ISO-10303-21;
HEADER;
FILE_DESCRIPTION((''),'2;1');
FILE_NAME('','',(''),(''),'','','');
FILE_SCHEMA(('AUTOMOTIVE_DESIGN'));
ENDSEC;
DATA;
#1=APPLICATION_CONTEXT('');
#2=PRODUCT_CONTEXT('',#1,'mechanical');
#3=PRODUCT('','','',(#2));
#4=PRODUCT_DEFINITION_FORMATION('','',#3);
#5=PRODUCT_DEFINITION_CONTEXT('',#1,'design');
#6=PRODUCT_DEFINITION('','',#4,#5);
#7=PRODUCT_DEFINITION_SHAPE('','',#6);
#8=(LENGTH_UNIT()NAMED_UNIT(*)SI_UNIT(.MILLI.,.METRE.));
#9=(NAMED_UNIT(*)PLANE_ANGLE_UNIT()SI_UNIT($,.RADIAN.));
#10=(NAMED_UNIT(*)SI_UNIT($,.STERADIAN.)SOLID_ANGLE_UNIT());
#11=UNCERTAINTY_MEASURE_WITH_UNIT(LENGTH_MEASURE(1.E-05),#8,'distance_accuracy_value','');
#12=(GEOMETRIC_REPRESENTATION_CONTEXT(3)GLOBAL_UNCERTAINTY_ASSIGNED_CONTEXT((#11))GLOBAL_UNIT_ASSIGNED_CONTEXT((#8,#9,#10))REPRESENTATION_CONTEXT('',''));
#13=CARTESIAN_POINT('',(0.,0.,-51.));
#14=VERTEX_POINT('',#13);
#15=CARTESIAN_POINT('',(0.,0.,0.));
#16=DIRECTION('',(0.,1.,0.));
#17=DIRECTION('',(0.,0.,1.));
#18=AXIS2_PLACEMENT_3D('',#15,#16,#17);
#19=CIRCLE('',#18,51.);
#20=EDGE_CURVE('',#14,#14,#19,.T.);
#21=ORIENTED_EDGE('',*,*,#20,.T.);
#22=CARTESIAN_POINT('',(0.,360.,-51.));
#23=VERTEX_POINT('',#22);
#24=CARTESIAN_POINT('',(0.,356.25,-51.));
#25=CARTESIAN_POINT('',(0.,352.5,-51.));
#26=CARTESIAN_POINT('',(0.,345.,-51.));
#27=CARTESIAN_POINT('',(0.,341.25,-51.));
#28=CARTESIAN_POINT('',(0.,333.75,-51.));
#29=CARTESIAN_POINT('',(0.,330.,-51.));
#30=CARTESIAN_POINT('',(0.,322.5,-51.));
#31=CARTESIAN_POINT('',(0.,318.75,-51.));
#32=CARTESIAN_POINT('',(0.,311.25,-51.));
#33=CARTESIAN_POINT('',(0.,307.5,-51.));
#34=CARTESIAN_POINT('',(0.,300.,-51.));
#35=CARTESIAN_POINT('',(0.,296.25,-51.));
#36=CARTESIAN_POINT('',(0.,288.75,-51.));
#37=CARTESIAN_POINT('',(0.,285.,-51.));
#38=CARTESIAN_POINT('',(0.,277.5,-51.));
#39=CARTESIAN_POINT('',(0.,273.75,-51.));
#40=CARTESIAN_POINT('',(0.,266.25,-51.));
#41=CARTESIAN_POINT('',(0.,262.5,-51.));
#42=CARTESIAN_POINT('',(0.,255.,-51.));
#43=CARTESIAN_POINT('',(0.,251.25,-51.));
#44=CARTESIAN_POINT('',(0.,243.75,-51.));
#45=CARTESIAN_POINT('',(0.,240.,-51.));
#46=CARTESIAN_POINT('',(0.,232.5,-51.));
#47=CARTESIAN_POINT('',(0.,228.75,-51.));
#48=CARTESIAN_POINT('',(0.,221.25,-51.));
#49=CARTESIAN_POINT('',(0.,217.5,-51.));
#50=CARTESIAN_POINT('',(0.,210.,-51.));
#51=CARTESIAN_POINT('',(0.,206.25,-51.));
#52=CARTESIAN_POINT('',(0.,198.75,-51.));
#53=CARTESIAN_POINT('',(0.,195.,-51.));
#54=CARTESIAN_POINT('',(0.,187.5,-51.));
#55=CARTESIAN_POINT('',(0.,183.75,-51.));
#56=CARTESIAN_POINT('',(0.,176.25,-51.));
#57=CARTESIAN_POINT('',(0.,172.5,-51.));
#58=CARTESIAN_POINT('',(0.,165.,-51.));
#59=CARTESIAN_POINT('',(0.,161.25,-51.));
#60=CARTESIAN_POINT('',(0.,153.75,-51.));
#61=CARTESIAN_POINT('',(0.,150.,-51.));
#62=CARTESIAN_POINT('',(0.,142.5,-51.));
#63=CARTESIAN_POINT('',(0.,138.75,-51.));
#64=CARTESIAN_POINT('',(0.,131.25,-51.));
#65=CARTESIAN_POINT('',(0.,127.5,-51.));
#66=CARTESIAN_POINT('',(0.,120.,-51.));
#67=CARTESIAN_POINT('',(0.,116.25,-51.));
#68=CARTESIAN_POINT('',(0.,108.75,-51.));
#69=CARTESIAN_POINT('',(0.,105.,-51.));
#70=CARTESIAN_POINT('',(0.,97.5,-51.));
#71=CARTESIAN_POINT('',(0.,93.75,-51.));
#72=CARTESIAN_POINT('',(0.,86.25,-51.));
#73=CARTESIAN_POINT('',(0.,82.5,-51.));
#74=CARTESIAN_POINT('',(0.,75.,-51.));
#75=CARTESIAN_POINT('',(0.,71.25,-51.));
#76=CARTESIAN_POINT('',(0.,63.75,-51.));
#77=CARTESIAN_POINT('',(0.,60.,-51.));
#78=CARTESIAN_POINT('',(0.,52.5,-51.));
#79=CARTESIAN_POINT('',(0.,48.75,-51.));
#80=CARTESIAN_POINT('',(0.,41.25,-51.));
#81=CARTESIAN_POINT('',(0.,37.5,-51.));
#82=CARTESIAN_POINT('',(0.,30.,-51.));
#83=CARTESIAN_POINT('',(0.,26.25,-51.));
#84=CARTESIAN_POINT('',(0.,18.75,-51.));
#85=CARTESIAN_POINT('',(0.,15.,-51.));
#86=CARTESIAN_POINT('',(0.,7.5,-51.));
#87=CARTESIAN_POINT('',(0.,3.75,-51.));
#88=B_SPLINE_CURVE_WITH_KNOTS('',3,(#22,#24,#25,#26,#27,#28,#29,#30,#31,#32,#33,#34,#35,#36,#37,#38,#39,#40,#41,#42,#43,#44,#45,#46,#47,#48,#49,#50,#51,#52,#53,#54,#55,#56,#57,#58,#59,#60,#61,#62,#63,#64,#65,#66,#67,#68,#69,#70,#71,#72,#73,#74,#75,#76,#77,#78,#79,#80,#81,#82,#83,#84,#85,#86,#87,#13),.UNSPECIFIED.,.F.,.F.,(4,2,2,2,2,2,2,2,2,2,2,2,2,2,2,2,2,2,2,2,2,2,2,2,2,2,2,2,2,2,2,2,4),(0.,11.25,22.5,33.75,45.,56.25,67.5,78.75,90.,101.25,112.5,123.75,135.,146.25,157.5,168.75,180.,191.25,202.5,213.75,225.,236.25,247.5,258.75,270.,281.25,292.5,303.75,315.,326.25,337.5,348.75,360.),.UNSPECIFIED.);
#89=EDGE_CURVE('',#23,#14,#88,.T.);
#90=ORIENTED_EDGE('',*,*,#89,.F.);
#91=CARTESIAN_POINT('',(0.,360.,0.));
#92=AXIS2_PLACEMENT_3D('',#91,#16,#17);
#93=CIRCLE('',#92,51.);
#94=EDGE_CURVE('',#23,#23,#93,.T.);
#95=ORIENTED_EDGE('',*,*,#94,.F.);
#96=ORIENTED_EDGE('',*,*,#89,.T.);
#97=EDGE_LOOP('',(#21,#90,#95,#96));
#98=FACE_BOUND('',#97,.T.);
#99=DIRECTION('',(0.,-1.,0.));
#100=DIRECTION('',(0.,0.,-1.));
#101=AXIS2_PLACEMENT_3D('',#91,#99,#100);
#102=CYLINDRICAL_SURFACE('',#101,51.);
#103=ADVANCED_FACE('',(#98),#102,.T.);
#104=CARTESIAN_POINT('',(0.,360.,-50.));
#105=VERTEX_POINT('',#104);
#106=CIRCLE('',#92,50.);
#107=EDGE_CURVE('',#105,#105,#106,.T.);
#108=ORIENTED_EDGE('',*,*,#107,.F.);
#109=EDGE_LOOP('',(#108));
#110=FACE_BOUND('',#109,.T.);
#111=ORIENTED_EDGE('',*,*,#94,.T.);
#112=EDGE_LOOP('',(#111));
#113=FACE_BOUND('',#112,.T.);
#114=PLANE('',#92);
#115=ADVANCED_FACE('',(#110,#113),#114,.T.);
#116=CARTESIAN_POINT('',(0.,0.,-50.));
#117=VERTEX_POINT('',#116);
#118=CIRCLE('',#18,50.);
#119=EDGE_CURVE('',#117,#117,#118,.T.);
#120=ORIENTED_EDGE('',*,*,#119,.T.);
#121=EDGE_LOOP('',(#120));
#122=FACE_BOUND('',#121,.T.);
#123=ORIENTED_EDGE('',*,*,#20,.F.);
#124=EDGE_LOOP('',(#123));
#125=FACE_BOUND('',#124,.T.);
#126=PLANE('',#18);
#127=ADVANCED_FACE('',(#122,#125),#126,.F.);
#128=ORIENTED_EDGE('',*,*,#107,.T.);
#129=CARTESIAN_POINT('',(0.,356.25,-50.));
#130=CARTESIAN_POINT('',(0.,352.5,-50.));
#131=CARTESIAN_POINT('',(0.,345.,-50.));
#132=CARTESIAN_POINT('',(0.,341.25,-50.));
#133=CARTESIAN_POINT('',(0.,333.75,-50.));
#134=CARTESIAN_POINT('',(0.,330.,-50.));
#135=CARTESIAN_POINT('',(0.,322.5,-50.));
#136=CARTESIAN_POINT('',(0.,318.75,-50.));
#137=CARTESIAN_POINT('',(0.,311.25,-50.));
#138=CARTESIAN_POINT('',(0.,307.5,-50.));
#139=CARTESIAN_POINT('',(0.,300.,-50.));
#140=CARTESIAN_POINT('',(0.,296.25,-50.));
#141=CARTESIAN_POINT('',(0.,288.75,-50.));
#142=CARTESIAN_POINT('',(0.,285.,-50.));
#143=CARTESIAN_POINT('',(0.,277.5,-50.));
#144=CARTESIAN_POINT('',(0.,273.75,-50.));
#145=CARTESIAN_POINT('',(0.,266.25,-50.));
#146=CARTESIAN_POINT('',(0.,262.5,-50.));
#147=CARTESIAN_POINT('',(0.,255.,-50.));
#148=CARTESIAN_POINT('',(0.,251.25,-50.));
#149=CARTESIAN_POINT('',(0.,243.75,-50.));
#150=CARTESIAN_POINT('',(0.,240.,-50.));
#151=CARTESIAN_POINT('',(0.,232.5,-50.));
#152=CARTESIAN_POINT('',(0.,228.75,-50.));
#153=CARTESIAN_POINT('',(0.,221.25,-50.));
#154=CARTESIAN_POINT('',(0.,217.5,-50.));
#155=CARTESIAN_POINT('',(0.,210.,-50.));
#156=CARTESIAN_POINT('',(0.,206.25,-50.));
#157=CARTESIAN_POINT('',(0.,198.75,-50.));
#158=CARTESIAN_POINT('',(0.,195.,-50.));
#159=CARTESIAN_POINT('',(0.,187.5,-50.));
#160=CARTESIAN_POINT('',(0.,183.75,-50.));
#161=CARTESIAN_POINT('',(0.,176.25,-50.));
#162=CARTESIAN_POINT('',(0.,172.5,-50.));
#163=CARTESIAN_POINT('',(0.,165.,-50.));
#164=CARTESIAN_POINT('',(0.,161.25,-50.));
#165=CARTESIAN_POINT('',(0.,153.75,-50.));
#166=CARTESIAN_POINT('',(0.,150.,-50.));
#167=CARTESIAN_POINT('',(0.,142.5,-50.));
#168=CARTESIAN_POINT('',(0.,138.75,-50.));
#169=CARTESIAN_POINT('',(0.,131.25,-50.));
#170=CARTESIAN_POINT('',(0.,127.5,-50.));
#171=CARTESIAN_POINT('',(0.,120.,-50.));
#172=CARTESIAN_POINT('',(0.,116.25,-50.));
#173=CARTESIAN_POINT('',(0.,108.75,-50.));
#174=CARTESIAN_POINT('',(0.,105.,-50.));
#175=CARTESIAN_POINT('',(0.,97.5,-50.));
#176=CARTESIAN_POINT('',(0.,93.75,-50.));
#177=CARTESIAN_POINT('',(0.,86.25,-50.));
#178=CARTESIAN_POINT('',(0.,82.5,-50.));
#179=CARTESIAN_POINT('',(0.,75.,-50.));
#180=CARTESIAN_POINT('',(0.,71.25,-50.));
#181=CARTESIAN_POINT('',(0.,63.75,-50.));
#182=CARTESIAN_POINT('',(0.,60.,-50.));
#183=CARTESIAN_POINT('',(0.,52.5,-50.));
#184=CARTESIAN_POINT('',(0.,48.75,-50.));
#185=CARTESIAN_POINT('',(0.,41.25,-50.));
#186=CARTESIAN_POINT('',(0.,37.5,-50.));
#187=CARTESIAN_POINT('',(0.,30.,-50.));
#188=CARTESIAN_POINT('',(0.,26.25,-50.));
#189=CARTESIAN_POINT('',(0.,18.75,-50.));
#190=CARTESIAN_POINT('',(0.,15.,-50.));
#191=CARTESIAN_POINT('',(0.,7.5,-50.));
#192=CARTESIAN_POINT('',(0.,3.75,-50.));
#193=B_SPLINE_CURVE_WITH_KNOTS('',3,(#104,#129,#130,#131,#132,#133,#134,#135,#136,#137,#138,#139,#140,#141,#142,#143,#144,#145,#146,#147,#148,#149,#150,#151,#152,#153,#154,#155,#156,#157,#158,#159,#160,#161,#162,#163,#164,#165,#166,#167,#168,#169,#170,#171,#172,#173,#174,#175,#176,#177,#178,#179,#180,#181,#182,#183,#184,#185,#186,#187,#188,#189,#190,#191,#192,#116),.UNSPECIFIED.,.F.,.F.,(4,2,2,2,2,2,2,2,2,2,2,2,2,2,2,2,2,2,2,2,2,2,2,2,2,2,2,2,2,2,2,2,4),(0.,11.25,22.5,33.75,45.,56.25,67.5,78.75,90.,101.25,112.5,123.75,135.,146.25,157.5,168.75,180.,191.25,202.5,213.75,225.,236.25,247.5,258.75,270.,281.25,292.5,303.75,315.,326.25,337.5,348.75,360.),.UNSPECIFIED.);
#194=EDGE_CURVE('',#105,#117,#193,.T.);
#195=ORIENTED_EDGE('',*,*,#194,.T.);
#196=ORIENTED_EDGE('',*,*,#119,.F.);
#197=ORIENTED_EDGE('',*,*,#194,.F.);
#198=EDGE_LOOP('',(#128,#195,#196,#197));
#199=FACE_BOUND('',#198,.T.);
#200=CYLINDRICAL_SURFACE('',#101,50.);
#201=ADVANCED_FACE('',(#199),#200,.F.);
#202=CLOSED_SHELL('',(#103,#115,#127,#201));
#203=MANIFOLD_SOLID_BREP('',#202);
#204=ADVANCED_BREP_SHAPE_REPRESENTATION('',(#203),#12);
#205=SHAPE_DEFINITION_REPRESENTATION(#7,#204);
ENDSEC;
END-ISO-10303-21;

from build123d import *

# Parameters (mm, degrees)
SKETCH_1_R      = 51
SKETCH_1_R_2    = 50
EXTRUDE_1_DEPTH = 360


with BuildPart() as part:
    # Эскиз1 → Бобышка-Вытянуть1 (new body)
    with BuildSketch(Plane(origin=(0, 0, 0), x_dir=(1, 0, 0), z_dir=(0, 1, 0))):
        with Locations(Location((0, 0, 0), (0, 0, 90))):
            Circle(SKETCH_1_R)
        with Locations(Location((0, 0, 0), (0, 0, 90))):
            Circle(SKETCH_1_R_2, mode=Mode.SUBTRACT)
    extrude(amount=EXTRUDE_1_DEPTH)


solid = part.part
